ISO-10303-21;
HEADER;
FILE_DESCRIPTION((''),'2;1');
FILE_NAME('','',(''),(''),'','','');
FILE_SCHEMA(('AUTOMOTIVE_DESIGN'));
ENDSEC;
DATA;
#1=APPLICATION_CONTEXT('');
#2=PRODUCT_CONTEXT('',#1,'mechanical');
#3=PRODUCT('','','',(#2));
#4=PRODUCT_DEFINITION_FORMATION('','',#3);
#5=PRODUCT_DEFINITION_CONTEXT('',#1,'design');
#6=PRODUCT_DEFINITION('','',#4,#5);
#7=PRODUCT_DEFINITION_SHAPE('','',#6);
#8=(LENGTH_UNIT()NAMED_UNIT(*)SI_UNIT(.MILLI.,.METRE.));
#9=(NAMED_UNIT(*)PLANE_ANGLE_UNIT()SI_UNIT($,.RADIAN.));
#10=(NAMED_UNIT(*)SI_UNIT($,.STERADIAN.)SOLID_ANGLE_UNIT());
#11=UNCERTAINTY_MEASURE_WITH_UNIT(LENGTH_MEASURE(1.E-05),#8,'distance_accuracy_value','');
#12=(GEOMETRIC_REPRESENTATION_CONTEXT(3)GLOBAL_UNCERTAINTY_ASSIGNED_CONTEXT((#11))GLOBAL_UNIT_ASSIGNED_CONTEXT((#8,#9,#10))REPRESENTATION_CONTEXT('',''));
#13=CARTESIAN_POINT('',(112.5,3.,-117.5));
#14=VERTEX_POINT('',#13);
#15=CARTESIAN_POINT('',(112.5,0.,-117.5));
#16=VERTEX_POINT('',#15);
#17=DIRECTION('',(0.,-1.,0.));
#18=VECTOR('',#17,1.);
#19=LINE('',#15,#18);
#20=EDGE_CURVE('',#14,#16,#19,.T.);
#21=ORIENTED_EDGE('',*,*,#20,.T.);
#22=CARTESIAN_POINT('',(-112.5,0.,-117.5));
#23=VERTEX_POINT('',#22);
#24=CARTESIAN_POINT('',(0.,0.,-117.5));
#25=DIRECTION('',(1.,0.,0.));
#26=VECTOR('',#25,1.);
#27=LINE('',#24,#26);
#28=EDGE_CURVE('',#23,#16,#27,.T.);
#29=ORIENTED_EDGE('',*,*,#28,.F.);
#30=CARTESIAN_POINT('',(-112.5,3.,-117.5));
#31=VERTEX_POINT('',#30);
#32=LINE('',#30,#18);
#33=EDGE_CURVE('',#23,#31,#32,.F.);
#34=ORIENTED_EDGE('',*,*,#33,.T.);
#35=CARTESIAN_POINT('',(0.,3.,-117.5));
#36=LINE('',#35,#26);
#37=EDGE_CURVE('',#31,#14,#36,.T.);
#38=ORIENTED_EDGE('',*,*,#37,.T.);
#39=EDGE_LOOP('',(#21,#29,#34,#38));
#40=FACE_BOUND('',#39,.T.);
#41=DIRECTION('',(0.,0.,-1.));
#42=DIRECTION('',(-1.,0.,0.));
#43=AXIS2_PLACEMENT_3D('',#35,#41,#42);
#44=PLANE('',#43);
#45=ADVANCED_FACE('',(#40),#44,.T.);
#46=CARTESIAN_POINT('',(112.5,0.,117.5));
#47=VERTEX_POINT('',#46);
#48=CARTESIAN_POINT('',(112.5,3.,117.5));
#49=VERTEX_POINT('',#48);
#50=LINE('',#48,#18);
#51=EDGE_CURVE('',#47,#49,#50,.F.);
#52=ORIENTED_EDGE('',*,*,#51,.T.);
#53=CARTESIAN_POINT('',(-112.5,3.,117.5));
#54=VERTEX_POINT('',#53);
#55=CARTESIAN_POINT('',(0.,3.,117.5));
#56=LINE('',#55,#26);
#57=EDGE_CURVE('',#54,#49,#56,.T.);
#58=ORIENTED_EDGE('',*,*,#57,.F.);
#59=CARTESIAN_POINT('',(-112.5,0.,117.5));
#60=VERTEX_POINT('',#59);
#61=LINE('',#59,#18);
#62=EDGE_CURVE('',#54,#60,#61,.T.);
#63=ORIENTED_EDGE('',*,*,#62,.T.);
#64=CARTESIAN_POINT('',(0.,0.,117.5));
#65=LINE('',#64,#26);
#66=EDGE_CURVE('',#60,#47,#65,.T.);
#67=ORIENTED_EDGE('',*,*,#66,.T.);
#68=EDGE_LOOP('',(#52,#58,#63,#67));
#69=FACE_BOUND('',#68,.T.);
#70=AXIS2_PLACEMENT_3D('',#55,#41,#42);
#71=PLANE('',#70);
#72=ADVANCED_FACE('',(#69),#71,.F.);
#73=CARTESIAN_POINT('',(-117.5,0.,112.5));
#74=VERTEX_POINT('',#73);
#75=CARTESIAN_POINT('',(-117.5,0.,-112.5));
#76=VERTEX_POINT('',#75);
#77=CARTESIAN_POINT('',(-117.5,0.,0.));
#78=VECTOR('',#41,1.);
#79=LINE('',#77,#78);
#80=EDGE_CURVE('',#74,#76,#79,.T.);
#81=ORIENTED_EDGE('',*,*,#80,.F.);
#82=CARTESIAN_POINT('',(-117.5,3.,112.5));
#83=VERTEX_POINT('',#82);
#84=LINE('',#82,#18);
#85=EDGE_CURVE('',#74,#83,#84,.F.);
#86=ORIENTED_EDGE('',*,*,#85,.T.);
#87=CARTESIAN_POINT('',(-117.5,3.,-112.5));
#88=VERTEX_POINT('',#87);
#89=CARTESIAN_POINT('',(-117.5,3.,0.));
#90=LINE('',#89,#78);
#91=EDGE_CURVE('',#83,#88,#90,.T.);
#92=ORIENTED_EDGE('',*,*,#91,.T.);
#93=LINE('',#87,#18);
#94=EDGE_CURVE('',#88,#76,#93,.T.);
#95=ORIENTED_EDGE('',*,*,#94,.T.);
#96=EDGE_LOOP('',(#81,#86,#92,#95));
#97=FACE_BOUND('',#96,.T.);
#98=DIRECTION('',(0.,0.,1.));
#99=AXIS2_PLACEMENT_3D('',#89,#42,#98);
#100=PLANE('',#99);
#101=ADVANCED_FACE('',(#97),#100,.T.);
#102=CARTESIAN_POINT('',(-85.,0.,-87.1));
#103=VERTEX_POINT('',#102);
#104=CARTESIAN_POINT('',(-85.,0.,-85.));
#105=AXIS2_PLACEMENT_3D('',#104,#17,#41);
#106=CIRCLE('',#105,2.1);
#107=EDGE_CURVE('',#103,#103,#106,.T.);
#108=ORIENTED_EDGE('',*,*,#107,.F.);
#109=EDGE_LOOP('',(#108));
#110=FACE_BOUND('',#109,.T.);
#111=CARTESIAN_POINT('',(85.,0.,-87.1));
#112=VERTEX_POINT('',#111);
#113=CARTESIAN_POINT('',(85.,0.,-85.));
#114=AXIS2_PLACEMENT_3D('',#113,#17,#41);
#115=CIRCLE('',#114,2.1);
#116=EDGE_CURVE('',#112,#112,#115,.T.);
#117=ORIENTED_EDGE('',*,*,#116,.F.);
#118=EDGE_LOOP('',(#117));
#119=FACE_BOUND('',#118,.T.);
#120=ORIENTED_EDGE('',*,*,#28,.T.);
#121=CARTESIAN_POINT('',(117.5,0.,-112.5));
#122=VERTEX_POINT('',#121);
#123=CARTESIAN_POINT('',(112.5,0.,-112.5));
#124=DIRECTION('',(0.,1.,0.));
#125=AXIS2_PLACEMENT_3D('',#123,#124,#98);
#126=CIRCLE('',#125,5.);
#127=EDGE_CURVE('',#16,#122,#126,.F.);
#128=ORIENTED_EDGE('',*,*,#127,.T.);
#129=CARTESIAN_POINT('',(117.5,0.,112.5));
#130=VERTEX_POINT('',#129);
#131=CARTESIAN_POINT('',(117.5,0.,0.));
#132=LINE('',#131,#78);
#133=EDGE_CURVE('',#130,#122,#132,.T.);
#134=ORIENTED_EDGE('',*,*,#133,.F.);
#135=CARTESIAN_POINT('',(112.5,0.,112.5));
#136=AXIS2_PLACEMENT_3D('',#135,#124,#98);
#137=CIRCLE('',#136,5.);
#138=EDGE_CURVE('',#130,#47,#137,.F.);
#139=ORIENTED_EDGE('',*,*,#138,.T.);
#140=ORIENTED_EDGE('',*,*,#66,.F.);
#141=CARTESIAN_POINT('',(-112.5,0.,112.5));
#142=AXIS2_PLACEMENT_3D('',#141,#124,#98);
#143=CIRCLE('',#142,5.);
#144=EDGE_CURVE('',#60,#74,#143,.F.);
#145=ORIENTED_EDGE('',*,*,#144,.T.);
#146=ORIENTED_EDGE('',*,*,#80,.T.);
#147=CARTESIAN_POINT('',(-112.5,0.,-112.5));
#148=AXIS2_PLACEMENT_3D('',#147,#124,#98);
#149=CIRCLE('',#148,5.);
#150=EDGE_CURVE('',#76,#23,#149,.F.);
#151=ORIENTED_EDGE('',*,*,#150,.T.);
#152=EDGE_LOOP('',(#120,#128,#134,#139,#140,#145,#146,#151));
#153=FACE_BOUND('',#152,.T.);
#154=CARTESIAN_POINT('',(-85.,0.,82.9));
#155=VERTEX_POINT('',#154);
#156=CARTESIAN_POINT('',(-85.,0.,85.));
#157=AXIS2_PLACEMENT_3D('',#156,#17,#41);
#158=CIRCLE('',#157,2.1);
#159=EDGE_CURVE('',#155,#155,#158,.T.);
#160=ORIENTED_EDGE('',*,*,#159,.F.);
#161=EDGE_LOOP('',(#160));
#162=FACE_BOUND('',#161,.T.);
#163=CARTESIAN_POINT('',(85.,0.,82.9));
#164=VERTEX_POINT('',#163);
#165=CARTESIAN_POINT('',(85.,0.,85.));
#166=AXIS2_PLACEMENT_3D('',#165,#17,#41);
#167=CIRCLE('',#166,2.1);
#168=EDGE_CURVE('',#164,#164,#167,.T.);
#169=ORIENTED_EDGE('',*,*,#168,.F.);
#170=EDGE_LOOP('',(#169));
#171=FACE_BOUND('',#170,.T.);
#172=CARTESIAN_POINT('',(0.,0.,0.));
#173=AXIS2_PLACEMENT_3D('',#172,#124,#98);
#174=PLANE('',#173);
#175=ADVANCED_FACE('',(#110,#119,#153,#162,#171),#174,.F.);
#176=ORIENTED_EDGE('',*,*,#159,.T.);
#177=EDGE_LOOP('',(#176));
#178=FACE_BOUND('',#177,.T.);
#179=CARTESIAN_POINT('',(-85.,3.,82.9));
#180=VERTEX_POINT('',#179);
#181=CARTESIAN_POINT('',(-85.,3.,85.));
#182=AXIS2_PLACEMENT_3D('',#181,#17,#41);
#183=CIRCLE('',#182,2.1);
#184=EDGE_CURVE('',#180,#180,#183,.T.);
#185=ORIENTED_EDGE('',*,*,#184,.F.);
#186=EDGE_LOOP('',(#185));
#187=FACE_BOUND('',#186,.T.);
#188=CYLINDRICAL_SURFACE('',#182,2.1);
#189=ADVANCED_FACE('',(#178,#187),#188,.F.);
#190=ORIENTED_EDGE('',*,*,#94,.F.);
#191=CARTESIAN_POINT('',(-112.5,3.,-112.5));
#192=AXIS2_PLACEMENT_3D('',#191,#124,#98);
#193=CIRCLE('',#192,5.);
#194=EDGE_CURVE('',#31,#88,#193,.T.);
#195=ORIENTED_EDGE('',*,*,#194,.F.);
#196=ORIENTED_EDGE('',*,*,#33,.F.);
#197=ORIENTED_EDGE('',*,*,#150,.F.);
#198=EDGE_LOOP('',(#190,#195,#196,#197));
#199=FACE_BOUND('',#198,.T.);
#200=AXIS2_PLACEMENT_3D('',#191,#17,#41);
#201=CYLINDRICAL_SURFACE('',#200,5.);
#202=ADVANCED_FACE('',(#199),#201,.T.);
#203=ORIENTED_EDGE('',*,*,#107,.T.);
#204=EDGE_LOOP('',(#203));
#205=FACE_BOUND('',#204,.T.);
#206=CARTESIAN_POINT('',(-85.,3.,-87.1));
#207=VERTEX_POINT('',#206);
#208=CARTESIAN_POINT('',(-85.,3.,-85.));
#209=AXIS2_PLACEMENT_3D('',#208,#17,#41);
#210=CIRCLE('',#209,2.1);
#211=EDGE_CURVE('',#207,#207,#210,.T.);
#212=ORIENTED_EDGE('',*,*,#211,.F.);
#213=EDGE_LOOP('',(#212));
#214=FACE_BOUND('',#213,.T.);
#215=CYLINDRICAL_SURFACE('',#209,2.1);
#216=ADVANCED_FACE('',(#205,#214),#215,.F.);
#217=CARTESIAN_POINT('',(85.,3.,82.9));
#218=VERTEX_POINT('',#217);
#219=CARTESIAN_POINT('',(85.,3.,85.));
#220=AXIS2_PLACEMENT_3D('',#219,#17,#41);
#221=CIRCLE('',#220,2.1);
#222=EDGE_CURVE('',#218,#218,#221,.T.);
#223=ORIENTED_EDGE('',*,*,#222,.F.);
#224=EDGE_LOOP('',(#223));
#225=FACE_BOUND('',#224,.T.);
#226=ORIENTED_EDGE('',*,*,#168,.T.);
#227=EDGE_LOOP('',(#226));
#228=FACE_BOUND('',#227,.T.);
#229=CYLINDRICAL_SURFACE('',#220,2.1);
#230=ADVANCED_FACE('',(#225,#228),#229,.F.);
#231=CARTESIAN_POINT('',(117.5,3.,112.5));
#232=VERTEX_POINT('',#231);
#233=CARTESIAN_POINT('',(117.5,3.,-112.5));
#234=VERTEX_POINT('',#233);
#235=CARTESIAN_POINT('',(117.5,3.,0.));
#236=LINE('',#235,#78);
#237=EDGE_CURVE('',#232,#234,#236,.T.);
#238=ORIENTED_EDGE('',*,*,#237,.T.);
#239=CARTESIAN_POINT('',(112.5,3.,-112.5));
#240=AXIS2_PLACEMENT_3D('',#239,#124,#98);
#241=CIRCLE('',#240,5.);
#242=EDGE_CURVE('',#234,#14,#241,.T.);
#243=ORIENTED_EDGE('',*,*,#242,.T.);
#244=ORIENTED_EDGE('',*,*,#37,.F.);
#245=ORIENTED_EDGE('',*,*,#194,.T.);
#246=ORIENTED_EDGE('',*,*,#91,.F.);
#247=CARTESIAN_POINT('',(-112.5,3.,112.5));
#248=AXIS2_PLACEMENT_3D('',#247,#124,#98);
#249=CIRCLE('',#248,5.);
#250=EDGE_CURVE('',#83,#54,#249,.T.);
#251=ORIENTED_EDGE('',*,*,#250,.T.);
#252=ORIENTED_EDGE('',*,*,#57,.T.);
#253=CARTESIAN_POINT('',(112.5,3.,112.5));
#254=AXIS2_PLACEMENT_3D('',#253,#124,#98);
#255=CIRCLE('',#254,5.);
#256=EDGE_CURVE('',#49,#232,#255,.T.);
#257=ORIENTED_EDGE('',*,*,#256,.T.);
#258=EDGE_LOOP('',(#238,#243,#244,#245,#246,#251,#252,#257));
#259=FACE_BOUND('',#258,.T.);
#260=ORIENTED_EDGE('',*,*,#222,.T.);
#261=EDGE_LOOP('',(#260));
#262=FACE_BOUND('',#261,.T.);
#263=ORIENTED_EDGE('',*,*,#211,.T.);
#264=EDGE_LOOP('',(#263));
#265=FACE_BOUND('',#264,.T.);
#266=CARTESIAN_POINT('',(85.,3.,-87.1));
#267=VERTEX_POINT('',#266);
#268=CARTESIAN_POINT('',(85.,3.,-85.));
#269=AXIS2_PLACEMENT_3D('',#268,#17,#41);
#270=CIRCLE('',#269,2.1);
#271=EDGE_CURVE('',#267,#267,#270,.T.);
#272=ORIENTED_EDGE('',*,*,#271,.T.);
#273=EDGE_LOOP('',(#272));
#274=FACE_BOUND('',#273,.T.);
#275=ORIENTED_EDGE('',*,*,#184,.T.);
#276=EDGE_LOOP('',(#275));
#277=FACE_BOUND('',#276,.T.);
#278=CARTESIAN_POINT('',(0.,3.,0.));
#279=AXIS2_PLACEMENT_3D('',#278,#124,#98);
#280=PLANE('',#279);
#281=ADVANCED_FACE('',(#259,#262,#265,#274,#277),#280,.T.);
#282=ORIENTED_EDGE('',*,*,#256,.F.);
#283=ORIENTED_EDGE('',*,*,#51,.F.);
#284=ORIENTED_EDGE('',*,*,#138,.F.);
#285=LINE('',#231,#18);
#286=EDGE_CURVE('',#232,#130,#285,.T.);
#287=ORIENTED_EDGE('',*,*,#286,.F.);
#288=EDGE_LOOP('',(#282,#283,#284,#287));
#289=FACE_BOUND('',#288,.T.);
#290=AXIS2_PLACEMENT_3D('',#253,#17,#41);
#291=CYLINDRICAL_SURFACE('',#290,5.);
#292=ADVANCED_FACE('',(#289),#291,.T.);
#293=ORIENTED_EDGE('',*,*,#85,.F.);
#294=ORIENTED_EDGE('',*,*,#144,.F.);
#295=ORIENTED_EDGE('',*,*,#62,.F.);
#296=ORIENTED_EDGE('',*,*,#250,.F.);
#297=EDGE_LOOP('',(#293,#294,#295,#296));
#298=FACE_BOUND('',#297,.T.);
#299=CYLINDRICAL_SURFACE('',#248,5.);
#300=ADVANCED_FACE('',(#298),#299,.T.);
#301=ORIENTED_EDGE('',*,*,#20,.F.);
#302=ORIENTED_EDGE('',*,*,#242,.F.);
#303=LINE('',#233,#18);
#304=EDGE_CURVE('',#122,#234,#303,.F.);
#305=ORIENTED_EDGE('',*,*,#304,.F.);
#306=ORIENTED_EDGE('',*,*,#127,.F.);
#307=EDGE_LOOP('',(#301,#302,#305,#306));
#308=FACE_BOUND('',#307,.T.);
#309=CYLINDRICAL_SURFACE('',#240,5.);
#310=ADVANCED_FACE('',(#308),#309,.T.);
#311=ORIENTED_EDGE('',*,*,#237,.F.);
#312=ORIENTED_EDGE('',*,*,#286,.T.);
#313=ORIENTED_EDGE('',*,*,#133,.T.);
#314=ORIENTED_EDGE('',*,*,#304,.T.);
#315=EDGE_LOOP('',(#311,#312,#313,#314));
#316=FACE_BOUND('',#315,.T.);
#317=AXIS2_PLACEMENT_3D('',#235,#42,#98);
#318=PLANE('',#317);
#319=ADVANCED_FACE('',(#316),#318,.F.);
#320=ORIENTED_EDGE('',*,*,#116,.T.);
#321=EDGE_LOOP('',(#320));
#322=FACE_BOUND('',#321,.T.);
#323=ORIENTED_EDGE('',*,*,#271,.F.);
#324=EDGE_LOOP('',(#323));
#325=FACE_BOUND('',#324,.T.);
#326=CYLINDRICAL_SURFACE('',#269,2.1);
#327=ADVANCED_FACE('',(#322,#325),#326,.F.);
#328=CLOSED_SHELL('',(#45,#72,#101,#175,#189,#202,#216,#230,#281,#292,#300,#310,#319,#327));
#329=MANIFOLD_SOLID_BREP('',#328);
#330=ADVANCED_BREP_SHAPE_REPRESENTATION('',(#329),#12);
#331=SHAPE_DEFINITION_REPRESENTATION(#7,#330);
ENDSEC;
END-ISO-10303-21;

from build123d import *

# Parameters (mm, degrees)
BOSS_EXTRUDE1_DEPTH = 3
SKETCH2_R           = 2.1
CUT_EXTRUDE1_DEPTH  = 3
FILLET1_R           = 5


with BuildPart() as part:
    # Sketch1 → Boss-Extrude1 (new body)
    with BuildSketch(Plane(origin=(0, 0, 0), x_dir=(1, 0, 0), z_dir=(0, 1, 0))):
        Polygon((0, 0), (-117.5, 117.5), (-117.5, -67.83865663), align=None)
        Polygon((0, 117.5), (-117.5, 117.5), (0, 0), align=None)
        Polygon((0, 117.5), (0, 0), (117.5, -67.83865663), (117.5, 117.5), align=None)
        Polygon((117.5, -67.83865663), (0, 0), (117.5, -117.5), align=None)
        Polygon((117.5, -117.5), (0, 0), (-117.5, -67.83865663), (-117.5, -117.5), align=None)
    extrude(amount=BOSS_EXTRUDE1_DEPTH)

    # Sketch2 → Cut-Extrude1 (cut)
    with BuildSketch(Plane.XZ):
        with Locations(Location((85, -85, 0), (0, 0, 270))):
            Circle(SKETCH2_R)
        with Locations(Location((-85, 85, 0), (0, 0, 270))):
            Circle(SKETCH2_R)
        with Locations(Location((85, 85, 0), (0, 0, 270))):
            Circle(SKETCH2_R)
        with Locations(Location((-85, -85, 0), (0, 0, 270))):
            Circle(SKETCH2_R)
    extrude(amount=-CUT_EXTRUDE1_DEPTH, mode=Mode.SUBTRACT)

    # Fillet1
    fillet1_edges = [part.edges().sort_by_distance(p)[0] for p in [
        (-117.5, 1.5, 117.5),
        (-117.5, 1.5, -117.5),
        (117.5, 1.5, -117.5),
        (117.5, 1.5, 117.5),
    ]]
    fillet(fillet1_edges, radius=FILLET1_R)


solid = part.part
